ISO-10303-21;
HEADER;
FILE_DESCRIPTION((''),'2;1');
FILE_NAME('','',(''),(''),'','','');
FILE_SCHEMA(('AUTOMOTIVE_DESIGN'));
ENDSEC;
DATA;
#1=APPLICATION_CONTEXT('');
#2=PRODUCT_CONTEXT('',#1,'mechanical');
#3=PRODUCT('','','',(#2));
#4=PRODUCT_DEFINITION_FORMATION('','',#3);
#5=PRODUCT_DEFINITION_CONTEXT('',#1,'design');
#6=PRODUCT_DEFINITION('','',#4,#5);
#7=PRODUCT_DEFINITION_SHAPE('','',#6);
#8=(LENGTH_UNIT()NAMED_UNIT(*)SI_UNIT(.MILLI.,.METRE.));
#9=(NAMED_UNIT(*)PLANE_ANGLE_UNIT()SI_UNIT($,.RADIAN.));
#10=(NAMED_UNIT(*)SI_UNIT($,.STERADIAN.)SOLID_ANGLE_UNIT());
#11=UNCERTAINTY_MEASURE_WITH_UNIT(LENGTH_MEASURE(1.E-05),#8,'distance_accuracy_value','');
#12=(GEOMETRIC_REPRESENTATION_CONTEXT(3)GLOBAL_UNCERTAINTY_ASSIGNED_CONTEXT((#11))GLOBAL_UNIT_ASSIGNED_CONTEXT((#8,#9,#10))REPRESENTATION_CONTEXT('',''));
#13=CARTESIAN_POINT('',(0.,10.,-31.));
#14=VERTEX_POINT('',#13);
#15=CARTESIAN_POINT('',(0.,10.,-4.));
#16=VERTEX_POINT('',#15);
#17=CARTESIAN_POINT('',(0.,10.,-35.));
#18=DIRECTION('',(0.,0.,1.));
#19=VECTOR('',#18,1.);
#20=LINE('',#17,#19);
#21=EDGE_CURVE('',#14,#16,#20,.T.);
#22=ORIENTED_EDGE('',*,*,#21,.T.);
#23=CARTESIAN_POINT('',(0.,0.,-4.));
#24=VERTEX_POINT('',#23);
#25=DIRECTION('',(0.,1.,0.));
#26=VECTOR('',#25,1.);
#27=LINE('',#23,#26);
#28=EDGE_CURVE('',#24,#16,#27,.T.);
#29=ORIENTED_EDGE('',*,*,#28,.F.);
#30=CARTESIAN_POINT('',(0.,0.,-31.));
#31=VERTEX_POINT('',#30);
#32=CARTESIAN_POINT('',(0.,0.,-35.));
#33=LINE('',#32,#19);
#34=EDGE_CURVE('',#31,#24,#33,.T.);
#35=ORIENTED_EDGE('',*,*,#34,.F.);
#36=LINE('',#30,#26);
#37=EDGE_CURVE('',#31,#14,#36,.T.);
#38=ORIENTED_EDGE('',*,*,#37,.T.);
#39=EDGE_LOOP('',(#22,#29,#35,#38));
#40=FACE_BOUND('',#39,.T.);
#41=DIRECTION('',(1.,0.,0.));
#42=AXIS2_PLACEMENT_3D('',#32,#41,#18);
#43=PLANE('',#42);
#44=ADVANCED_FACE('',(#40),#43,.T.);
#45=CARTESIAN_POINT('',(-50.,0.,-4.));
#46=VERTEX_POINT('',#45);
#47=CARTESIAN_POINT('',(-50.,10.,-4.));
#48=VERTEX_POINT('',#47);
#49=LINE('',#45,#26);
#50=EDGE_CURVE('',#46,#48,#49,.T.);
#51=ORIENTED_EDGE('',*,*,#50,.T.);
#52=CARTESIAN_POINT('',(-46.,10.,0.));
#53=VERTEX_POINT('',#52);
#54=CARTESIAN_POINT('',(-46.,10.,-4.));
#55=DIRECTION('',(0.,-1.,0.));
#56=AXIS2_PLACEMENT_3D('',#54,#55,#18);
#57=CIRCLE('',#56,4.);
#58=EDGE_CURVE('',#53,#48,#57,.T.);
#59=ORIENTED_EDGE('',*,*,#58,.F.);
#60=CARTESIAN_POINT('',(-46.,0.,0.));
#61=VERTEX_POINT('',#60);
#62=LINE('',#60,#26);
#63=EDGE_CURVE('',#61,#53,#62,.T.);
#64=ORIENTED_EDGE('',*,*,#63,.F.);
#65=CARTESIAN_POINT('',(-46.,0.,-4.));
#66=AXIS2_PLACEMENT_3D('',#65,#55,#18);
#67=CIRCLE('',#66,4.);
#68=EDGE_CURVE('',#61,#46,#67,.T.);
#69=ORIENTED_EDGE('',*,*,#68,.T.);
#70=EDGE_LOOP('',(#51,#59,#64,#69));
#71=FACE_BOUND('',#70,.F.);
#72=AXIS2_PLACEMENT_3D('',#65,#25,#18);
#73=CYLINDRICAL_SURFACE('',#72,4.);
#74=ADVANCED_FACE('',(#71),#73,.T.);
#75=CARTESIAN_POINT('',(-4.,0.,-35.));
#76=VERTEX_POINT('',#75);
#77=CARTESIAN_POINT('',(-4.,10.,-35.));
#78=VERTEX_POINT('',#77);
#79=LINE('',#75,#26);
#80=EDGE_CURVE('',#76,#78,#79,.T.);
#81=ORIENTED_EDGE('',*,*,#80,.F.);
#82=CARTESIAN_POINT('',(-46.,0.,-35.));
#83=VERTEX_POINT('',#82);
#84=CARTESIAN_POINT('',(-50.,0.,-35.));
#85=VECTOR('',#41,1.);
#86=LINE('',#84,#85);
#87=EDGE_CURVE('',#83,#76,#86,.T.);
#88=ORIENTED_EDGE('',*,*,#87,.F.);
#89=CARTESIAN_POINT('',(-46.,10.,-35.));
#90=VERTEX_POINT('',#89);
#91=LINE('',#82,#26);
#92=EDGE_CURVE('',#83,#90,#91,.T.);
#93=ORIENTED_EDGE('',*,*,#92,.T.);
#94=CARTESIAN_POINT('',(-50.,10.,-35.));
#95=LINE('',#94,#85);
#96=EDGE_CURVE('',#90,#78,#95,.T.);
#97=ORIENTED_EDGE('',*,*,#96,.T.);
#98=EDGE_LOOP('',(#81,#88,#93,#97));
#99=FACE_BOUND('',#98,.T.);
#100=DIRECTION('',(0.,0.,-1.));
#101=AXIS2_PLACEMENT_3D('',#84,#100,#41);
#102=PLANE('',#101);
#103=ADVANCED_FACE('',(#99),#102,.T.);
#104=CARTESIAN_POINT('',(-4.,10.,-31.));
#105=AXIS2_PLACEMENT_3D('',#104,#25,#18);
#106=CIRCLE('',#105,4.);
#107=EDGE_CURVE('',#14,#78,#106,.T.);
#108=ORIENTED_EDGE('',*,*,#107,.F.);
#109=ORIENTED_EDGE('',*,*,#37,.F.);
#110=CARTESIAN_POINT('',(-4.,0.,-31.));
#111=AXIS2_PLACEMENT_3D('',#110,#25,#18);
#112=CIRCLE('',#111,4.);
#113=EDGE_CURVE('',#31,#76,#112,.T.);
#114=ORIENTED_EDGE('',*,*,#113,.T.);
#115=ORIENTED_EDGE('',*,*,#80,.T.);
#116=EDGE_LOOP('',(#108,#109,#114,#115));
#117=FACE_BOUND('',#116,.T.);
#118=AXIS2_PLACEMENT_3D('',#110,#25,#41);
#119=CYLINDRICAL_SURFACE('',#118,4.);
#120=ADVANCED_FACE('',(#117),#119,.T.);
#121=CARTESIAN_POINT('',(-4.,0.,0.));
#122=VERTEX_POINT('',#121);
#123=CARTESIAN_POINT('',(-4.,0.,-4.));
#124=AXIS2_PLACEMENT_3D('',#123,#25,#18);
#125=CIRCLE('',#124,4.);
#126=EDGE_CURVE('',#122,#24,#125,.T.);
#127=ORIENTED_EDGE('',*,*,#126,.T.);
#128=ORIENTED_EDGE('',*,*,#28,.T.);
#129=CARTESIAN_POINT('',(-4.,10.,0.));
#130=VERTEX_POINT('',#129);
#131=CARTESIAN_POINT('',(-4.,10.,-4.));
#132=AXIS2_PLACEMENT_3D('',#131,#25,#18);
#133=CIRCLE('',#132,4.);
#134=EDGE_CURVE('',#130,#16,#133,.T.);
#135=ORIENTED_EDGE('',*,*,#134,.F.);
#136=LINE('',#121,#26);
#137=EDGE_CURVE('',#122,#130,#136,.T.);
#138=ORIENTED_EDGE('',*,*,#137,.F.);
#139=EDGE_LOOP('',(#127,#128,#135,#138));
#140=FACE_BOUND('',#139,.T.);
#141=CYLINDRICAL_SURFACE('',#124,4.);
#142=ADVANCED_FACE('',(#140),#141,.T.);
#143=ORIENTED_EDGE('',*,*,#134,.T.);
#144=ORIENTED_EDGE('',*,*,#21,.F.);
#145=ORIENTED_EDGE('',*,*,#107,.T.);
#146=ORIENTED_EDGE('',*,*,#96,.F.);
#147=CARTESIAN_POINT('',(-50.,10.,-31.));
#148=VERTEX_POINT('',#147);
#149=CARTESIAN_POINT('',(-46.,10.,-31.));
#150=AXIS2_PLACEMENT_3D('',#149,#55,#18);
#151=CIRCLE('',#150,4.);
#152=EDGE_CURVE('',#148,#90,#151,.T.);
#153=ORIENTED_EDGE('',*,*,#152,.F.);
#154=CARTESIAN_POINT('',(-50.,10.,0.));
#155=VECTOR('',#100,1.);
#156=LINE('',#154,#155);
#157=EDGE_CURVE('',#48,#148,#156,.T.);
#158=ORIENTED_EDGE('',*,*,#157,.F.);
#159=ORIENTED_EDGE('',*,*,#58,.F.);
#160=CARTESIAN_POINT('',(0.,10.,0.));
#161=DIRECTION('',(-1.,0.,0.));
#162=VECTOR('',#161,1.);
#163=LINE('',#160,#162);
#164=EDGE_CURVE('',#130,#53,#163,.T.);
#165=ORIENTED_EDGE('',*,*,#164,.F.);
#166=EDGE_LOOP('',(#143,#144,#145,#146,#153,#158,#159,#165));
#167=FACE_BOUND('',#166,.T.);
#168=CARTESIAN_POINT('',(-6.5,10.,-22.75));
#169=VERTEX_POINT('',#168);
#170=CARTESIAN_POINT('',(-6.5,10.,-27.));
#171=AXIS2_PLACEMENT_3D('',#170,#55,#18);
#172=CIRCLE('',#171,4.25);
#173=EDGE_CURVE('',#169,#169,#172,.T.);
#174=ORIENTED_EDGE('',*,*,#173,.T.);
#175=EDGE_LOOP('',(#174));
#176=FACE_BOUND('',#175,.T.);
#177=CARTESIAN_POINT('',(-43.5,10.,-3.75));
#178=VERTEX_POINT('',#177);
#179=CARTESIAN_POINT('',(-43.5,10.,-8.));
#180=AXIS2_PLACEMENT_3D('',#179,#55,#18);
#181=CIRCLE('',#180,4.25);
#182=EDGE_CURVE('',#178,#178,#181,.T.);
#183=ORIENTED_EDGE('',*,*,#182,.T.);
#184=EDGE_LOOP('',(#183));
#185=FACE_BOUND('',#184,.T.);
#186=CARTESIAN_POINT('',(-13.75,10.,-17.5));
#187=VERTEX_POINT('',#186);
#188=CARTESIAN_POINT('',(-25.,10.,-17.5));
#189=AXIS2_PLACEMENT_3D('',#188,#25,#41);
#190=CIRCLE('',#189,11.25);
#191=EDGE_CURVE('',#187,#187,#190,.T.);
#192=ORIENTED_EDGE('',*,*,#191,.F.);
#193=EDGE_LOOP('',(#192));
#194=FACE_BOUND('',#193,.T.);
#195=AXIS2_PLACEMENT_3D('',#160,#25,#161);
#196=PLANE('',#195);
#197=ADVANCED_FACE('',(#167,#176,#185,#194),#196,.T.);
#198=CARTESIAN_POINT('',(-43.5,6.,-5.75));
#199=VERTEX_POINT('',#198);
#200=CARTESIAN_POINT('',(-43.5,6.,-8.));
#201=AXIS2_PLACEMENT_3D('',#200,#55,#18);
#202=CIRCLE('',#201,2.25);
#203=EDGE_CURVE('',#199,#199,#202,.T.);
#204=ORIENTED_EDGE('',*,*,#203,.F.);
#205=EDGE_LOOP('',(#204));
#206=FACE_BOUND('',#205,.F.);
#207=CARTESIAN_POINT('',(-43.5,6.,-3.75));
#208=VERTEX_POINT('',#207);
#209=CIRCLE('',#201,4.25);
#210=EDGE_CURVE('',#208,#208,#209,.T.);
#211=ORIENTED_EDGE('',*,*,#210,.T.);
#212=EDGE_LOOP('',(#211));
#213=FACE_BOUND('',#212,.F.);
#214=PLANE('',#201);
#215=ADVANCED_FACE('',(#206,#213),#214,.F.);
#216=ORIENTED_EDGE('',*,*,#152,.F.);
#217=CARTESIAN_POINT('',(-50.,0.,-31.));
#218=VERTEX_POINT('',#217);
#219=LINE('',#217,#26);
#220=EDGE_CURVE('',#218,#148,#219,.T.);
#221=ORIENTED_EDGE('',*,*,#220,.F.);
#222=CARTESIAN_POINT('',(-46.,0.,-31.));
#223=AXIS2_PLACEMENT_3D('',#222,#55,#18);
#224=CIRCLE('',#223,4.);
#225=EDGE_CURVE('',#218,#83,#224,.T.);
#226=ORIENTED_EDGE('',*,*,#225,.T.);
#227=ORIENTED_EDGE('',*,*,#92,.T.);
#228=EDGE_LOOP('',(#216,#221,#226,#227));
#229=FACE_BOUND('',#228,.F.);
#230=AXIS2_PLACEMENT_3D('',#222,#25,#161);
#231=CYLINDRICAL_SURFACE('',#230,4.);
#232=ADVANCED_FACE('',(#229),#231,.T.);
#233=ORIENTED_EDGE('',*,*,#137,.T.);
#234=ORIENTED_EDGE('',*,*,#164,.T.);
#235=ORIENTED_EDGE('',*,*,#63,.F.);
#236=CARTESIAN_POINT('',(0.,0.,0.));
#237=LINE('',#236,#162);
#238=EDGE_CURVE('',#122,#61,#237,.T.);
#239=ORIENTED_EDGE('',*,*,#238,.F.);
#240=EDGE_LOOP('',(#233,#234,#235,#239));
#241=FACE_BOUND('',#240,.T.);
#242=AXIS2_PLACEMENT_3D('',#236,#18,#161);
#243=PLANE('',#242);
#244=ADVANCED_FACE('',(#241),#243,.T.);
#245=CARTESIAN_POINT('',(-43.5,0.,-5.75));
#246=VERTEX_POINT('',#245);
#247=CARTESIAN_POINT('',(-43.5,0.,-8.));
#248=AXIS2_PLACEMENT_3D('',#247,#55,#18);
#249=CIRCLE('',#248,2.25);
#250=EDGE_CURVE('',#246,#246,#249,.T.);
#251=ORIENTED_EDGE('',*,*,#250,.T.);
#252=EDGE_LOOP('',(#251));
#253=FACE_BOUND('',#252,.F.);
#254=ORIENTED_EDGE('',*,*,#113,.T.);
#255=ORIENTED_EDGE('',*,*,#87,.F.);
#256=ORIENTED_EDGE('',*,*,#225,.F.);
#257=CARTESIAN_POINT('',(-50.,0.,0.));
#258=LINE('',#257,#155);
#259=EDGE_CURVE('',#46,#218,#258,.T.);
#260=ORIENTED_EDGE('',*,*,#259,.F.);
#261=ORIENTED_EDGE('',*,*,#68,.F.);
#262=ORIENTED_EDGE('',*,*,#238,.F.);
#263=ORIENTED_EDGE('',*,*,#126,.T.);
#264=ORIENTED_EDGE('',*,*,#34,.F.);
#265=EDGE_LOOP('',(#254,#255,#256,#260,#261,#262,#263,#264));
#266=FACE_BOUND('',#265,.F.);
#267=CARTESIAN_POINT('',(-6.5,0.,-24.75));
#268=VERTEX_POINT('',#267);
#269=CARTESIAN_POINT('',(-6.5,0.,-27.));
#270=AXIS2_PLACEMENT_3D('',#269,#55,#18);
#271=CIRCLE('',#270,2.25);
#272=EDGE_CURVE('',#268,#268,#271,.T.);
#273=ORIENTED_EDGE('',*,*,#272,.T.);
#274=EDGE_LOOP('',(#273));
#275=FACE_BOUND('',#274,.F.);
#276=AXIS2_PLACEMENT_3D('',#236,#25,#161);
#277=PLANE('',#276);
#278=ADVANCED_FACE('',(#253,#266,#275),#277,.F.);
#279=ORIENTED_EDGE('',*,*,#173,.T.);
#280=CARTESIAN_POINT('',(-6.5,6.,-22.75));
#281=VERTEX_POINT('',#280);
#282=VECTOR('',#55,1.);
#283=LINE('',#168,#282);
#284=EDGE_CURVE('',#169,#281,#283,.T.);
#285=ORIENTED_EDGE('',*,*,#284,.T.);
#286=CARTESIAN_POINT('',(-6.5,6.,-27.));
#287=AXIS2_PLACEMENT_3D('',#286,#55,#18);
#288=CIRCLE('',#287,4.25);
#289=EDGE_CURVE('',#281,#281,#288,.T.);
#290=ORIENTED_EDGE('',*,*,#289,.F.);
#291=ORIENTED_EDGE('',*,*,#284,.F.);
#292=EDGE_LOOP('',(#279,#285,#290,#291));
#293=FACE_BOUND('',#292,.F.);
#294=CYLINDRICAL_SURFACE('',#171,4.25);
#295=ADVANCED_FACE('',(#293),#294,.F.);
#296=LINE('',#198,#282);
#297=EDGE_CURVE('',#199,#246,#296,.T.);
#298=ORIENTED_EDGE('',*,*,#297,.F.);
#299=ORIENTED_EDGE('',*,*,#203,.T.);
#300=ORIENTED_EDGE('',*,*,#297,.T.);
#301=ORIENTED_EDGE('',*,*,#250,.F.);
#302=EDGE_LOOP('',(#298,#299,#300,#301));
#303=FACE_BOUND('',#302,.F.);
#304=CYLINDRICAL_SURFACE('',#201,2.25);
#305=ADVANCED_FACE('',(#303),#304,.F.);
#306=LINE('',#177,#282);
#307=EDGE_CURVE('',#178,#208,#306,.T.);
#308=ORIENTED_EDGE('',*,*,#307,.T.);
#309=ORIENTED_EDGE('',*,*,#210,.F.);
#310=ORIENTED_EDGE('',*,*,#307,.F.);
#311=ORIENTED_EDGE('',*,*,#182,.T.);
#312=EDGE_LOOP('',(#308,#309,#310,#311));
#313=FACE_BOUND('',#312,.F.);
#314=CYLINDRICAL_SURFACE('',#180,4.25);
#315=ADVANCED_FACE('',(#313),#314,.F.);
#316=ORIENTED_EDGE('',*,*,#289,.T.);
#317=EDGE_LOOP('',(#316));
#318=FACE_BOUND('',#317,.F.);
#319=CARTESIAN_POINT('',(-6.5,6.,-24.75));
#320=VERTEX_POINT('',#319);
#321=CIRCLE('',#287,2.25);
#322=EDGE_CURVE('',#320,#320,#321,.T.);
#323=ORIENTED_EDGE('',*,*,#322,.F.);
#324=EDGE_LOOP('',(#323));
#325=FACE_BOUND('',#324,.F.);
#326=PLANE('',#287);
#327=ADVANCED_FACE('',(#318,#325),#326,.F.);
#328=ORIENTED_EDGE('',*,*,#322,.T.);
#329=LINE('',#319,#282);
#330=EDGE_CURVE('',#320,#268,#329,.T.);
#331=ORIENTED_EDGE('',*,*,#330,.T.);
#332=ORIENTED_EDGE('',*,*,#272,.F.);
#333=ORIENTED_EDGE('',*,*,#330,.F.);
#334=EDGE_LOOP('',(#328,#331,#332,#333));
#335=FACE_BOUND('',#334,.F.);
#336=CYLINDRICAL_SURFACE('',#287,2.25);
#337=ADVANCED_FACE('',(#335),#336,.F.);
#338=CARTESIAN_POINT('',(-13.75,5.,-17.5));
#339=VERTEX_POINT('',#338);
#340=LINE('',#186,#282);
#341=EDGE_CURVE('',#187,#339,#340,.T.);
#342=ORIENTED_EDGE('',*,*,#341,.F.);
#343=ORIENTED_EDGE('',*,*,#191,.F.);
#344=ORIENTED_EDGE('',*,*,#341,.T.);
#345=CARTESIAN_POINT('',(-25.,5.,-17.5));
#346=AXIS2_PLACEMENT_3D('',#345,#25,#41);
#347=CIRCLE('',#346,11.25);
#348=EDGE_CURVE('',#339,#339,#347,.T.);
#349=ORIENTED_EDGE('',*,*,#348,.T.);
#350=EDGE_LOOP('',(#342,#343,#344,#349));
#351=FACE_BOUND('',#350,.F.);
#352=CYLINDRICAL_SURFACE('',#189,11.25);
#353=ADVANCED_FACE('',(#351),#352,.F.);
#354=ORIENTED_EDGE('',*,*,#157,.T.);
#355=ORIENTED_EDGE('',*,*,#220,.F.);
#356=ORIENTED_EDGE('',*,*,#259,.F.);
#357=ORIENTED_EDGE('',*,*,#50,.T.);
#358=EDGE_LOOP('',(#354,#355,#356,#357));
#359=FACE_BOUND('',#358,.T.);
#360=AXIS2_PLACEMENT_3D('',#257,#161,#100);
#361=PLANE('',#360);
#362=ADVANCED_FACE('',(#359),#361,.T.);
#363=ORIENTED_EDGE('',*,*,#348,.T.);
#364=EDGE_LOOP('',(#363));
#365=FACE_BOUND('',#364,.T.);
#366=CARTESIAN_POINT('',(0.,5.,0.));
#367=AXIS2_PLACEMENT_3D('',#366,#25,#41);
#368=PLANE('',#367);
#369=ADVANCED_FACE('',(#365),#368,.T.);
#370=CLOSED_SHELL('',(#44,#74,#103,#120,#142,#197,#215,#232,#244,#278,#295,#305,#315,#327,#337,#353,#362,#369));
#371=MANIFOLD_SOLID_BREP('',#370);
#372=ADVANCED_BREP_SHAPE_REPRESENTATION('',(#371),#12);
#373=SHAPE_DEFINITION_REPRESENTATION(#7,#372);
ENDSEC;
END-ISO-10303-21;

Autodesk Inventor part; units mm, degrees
ref_plane "YZ Plane" through (0, 0, 0) normal (1, 0, 0) x (0, 1, 0)
ref_plane "XZ Plane" through (0, 0, 0) normal (0, 1, 0) x (-1, 0, 0)
ref_plane "XY Plane" through (0, 0, 0) normal (0, 0, 1) x (1, 0, 0)
sketch "Sketch1" plane through (0, 0, 0) normal (0, 1, 0) x (-1, 0, 0)
  line L0 (0, 0) -> (50, 0)
  line L1 (50, 0) -> (50, -35)
  line L2 (50, -35) -> (0, -35)
  line L3 (0, -35) -> (0, 0)
  dimension "d0" = 50
  dimension "d1" = 35
extrude "Extrusion1" add sketch "Sketch1" along normal blind 10
sketch "Sketch2" plane through (0, 10, 0) normal (0, 1, 0) x (1, 0, 0)
  circle A0 centre (-25, 17.5) radius 11.25
  line L0 (0, 35) -> (-50, 35) projected
  line L1 (-50, 35) -> (-50, 0) projected
  point P0 (0, 0)
  dimension "d4" = 22.5
  dimension "d5" = 17.5
  dimension "d6" = 25
extrude "Extrusion2" cut sketch "Sketch2" against normal blind 5
sketch "Sketch3" plane through (0, 10, 0) normal (0, 1, 0) x (1, 0, 0)
  line L0 (-50, 35) -> (-50, 0) projected
  line L1 (-50, 0) -> (0, 0) projected
  line L2 (0, 0) -> (0, 35) projected
  line L3 (0, 35) -> (-50, 35) projected
  point P0 (-43.5, 8)
  point P1 (-6.5, 27)
  dimension "d9" = 6.5
  dimension "d10" = 8
  dimension "d11" = 6.5
  dimension "d12" = 8
hole "Hole1" at (-43.5, 10, -8) at (-6.5, 10, -27) direction (0, -1, 0) diameter 4.5 depth 20 tip angle 118 counterbore diameter 8.5 counterbore depth 4
fillet "Fillet1" radius 4 1 edges at (0, 5, 0)
fillet "Fillet2" radius 4 3 edges at (0, 5, -35) (-50, 5, -35) (-50, 5, 0)
properties part number "Small Bracket (LHS)"
